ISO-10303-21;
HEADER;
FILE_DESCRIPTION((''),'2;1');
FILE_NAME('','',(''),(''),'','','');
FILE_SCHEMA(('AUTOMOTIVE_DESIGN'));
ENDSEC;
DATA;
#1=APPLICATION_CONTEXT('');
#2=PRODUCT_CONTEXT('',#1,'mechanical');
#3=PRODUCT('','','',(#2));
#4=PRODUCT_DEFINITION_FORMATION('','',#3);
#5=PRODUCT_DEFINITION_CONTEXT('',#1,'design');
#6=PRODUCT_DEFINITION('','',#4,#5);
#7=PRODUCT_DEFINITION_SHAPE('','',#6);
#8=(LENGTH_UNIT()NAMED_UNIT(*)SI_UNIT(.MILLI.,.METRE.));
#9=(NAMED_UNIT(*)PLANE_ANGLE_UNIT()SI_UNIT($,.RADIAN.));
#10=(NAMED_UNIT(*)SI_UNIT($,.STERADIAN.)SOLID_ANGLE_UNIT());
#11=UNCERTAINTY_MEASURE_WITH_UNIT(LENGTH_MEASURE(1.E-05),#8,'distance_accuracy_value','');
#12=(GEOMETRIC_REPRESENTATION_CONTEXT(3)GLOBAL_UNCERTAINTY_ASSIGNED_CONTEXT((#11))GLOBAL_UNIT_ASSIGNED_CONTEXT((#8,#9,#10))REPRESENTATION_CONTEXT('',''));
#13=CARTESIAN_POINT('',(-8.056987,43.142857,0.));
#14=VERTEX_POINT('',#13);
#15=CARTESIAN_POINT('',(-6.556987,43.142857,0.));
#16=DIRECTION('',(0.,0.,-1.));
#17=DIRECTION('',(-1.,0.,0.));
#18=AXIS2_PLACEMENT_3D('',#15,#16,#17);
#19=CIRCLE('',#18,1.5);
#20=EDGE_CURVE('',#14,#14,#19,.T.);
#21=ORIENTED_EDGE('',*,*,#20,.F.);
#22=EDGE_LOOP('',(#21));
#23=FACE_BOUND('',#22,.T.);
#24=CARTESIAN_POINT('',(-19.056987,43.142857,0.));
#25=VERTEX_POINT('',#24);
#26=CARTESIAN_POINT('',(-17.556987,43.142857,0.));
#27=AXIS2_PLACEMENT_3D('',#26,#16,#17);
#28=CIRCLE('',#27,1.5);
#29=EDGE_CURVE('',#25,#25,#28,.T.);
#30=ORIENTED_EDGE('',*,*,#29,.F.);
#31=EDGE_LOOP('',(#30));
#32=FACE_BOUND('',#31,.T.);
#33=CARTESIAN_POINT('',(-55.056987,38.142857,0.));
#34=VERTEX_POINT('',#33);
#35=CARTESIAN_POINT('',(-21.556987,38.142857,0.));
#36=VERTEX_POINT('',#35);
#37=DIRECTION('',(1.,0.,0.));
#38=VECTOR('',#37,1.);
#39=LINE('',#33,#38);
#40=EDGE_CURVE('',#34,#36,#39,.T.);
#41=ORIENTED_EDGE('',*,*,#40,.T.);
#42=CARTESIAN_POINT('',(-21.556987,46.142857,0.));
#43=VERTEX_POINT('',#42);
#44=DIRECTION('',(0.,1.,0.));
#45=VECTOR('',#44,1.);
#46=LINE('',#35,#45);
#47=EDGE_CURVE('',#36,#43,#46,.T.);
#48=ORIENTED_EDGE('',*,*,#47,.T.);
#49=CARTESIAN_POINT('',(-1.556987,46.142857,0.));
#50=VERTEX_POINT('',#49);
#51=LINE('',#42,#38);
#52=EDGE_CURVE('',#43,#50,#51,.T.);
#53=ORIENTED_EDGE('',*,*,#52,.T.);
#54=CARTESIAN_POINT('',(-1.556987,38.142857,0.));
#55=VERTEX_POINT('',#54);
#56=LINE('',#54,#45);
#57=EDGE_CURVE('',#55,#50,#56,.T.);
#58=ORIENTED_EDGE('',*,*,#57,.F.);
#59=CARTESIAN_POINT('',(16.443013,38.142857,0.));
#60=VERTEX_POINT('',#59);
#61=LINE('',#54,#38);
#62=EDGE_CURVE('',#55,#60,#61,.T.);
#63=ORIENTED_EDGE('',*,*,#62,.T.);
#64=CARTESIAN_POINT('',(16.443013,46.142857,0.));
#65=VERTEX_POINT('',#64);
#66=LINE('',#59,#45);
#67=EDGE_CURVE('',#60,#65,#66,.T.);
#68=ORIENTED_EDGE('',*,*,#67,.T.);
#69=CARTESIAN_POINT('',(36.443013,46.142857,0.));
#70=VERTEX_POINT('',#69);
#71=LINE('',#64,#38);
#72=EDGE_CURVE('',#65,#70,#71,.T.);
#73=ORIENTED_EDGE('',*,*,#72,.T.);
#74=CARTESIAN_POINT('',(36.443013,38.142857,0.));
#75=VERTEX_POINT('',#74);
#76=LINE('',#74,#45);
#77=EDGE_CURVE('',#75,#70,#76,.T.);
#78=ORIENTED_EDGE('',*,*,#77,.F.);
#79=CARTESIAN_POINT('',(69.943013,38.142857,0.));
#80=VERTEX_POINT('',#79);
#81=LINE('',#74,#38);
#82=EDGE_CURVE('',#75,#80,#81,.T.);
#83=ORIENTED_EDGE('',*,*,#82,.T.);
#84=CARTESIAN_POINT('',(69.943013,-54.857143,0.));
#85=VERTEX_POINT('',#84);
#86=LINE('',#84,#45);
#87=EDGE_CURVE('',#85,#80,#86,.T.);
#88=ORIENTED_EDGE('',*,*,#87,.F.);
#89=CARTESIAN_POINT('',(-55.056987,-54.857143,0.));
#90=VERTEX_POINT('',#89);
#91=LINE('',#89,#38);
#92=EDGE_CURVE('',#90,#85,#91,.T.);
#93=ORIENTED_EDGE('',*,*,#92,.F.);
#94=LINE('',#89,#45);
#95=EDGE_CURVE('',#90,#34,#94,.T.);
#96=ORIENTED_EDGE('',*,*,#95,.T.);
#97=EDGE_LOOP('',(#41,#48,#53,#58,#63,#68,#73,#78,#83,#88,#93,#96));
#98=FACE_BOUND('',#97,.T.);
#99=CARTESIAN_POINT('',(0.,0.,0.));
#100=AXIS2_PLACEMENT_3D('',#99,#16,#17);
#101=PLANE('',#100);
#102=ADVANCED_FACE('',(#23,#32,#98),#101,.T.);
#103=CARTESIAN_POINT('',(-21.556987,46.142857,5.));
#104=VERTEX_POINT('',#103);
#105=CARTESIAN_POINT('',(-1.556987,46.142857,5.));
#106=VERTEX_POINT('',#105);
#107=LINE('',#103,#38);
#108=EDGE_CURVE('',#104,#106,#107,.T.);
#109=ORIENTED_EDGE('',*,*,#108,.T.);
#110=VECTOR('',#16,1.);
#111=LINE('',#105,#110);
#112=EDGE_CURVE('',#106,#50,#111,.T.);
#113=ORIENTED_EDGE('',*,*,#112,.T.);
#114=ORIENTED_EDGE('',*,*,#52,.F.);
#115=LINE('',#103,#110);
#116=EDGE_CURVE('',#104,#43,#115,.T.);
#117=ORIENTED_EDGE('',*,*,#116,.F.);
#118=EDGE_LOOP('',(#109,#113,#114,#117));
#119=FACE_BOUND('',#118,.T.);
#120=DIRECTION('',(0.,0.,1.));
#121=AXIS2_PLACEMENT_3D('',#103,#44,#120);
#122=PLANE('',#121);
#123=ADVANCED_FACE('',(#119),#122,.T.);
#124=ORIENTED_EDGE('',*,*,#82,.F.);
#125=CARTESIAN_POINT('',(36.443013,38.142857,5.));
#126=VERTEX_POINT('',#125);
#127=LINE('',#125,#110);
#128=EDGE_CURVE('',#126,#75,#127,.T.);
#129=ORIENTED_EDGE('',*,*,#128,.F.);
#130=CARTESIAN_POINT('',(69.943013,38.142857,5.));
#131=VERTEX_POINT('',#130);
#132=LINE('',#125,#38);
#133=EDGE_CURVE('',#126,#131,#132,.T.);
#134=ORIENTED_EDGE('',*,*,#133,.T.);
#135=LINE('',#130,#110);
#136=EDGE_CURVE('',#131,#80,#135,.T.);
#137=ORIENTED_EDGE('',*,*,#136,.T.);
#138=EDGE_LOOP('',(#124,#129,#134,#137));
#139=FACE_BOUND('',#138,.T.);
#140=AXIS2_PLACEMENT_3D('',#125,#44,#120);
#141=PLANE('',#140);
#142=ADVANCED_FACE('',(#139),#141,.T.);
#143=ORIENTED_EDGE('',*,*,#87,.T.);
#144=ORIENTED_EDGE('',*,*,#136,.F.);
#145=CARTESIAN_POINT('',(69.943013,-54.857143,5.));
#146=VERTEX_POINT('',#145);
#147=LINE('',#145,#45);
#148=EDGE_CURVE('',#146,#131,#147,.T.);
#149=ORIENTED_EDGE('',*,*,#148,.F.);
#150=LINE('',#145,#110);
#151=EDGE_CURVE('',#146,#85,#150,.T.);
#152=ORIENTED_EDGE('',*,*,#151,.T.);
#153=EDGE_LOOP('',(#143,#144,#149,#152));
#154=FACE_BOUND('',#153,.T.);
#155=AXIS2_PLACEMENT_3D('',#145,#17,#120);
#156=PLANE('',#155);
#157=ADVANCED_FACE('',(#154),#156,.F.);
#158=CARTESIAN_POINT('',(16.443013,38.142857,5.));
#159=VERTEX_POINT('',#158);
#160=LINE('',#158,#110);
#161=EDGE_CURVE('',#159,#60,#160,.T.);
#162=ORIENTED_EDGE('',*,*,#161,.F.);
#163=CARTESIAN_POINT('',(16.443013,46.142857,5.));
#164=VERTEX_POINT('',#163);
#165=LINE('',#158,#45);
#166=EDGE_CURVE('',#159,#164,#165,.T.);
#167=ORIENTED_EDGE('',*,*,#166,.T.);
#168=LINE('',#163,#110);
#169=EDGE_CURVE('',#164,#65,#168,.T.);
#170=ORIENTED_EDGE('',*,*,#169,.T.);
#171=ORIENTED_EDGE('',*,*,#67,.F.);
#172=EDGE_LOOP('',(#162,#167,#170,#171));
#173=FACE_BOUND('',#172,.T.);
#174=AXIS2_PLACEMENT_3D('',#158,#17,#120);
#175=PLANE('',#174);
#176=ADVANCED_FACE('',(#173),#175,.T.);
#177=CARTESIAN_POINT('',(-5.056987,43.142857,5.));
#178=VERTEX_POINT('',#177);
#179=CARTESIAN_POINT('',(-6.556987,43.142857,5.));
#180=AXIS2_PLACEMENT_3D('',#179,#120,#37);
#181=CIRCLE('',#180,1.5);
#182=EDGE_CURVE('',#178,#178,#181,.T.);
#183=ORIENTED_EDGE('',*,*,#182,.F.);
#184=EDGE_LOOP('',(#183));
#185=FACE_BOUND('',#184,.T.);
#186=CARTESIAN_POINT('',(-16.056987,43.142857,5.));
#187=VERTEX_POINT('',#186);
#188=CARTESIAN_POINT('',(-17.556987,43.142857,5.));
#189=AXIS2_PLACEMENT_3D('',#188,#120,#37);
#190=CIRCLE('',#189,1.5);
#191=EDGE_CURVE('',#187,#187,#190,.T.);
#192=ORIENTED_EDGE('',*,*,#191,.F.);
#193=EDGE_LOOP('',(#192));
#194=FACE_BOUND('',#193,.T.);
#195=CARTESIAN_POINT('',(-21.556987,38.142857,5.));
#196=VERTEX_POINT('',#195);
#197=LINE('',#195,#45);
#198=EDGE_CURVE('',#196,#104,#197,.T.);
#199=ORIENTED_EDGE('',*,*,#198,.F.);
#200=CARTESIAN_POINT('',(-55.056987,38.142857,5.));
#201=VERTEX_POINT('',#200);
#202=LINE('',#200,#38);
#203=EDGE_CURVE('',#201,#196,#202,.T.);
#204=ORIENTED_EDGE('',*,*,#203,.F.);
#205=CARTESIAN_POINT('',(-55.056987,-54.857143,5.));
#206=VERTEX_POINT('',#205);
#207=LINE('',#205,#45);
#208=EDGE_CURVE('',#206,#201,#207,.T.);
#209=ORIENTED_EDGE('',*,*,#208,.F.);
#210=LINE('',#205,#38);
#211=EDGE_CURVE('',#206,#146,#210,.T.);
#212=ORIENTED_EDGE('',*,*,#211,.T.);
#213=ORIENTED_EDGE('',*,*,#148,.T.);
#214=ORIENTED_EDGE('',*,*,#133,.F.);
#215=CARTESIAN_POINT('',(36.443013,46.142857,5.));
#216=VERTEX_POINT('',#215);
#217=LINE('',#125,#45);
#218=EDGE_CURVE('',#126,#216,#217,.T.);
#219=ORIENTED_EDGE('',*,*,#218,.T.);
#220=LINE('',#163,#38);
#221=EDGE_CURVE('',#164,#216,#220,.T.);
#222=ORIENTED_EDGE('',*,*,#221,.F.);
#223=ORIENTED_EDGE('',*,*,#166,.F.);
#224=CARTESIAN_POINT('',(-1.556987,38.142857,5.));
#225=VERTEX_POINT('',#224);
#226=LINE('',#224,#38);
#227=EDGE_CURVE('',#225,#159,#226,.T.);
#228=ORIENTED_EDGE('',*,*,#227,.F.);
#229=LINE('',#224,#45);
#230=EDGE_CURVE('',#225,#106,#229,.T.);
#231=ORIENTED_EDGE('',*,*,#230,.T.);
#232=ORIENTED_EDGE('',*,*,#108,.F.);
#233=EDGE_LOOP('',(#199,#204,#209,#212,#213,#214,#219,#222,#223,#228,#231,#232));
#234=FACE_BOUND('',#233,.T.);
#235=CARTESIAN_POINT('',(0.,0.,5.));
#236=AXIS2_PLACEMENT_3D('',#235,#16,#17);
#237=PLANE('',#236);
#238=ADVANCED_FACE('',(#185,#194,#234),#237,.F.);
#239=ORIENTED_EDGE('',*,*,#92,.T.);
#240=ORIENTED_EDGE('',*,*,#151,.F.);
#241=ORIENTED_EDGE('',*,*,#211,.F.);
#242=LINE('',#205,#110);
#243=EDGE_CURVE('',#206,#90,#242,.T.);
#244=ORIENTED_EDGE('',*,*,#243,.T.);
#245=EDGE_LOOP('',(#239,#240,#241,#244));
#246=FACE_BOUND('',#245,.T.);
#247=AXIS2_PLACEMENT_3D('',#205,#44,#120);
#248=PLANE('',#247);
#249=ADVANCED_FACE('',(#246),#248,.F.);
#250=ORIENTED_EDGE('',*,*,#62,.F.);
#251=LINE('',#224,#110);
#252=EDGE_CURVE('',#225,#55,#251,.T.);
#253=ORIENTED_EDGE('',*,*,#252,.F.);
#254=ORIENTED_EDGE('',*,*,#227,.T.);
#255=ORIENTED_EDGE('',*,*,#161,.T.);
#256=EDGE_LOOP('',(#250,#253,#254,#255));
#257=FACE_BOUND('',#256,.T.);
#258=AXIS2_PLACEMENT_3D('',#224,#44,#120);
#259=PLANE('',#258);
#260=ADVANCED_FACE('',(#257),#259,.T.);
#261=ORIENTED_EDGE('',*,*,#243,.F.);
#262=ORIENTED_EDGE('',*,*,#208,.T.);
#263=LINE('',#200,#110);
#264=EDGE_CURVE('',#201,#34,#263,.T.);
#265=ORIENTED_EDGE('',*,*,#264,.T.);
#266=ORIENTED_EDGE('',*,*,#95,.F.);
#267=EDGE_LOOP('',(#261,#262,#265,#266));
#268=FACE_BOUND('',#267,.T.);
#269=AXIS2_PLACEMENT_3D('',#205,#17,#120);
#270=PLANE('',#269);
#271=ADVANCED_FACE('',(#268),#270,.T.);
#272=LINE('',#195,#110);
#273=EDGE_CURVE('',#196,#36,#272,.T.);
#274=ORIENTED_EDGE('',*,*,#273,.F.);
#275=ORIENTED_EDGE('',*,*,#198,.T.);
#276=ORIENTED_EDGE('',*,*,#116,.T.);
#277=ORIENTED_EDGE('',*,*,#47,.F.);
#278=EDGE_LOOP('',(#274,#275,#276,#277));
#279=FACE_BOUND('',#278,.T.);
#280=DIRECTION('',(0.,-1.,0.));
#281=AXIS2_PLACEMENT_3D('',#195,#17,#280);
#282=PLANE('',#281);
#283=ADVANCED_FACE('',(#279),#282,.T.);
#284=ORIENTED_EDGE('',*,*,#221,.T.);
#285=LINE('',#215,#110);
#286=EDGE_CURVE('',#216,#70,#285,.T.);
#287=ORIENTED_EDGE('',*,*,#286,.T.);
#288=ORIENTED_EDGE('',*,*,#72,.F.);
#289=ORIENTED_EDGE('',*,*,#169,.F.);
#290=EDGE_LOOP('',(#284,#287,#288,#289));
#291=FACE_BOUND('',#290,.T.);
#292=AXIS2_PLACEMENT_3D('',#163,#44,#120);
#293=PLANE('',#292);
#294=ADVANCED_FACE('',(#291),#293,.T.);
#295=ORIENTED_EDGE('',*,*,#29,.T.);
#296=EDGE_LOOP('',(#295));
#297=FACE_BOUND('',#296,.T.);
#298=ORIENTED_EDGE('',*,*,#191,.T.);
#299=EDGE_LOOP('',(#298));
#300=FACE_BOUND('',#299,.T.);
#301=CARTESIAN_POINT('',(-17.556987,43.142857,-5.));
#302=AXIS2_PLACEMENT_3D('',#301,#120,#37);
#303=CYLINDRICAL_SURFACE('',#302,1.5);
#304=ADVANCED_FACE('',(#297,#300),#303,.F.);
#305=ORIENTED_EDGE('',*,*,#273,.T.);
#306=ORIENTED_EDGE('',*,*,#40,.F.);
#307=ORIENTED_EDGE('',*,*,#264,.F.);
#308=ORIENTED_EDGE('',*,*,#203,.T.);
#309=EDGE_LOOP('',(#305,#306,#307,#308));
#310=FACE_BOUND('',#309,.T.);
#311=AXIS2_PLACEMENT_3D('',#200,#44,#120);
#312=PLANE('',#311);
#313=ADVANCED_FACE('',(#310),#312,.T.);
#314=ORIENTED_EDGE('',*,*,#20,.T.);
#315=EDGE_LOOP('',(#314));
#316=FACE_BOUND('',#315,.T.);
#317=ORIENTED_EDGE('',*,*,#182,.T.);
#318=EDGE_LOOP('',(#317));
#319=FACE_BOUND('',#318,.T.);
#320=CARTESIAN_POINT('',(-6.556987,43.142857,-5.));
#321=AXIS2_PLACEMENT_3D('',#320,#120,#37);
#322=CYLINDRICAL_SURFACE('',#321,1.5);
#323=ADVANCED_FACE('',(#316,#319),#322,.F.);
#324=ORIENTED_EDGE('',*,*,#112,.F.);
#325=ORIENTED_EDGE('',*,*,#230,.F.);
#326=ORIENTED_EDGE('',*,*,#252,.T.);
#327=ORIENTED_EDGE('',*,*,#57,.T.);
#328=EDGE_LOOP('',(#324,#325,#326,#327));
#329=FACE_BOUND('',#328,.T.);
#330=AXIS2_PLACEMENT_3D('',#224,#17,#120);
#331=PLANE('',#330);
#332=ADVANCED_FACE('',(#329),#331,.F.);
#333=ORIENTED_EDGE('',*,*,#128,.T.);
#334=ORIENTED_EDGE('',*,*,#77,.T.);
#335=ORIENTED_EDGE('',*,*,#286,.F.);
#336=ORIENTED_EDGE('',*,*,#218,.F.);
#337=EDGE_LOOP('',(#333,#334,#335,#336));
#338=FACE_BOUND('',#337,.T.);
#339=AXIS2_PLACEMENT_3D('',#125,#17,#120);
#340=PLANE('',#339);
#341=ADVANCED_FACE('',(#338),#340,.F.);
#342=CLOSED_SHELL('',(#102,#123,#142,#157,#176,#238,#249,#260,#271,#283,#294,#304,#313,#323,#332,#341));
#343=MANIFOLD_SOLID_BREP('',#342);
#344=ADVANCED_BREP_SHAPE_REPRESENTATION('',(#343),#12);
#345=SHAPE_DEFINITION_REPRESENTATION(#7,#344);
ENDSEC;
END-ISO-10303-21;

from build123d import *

# Parameters (mm, degrees)
RESSALTO_EXTRUS_O1_DEPTH = 5
ESBO_O2_R                = 1.5
CORTE_EXTRUS_O1_DEPTH    = 10


with BuildPart() as part:
    # Esboço1 → Ressalto-extrusão1 (new body)
    with BuildSketch(Plane.XY):
        Polygon((-1.556986729, 38.142857143), (16.443013271, 38.142857143), (16.443013271, 46.142857143), (36.443013271, 46.142857143), (36.443013271, 38.142857143), (69.943013271, 38.142857143), (69.943013271, -54.857142857), (-55.056986729, -54.857142857), (-55.056986729, 38.142857143), (-21.556986729, 38.142857143), (-21.556986729, 46.142857143), (-1.556986729, 46.142857143), align=None)
    extrude(amount=RESSALTO_EXTRUS_O1_DEPTH)

    # Esboço2 → Corte-extrusão1 (cut)
    with BuildSketch(Plane.XY.offset(5)):
        with Locations((-17.556986729, 43.142857143)):
            Circle(ESBO_O2_R)
        with Locations((-6.556986729, 43.142857143)):
            Circle(ESBO_O2_R)
    extrude(amount=-CORTE_EXTRUS_O1_DEPTH, mode=Mode.SUBTRACT)


solid = part.part
